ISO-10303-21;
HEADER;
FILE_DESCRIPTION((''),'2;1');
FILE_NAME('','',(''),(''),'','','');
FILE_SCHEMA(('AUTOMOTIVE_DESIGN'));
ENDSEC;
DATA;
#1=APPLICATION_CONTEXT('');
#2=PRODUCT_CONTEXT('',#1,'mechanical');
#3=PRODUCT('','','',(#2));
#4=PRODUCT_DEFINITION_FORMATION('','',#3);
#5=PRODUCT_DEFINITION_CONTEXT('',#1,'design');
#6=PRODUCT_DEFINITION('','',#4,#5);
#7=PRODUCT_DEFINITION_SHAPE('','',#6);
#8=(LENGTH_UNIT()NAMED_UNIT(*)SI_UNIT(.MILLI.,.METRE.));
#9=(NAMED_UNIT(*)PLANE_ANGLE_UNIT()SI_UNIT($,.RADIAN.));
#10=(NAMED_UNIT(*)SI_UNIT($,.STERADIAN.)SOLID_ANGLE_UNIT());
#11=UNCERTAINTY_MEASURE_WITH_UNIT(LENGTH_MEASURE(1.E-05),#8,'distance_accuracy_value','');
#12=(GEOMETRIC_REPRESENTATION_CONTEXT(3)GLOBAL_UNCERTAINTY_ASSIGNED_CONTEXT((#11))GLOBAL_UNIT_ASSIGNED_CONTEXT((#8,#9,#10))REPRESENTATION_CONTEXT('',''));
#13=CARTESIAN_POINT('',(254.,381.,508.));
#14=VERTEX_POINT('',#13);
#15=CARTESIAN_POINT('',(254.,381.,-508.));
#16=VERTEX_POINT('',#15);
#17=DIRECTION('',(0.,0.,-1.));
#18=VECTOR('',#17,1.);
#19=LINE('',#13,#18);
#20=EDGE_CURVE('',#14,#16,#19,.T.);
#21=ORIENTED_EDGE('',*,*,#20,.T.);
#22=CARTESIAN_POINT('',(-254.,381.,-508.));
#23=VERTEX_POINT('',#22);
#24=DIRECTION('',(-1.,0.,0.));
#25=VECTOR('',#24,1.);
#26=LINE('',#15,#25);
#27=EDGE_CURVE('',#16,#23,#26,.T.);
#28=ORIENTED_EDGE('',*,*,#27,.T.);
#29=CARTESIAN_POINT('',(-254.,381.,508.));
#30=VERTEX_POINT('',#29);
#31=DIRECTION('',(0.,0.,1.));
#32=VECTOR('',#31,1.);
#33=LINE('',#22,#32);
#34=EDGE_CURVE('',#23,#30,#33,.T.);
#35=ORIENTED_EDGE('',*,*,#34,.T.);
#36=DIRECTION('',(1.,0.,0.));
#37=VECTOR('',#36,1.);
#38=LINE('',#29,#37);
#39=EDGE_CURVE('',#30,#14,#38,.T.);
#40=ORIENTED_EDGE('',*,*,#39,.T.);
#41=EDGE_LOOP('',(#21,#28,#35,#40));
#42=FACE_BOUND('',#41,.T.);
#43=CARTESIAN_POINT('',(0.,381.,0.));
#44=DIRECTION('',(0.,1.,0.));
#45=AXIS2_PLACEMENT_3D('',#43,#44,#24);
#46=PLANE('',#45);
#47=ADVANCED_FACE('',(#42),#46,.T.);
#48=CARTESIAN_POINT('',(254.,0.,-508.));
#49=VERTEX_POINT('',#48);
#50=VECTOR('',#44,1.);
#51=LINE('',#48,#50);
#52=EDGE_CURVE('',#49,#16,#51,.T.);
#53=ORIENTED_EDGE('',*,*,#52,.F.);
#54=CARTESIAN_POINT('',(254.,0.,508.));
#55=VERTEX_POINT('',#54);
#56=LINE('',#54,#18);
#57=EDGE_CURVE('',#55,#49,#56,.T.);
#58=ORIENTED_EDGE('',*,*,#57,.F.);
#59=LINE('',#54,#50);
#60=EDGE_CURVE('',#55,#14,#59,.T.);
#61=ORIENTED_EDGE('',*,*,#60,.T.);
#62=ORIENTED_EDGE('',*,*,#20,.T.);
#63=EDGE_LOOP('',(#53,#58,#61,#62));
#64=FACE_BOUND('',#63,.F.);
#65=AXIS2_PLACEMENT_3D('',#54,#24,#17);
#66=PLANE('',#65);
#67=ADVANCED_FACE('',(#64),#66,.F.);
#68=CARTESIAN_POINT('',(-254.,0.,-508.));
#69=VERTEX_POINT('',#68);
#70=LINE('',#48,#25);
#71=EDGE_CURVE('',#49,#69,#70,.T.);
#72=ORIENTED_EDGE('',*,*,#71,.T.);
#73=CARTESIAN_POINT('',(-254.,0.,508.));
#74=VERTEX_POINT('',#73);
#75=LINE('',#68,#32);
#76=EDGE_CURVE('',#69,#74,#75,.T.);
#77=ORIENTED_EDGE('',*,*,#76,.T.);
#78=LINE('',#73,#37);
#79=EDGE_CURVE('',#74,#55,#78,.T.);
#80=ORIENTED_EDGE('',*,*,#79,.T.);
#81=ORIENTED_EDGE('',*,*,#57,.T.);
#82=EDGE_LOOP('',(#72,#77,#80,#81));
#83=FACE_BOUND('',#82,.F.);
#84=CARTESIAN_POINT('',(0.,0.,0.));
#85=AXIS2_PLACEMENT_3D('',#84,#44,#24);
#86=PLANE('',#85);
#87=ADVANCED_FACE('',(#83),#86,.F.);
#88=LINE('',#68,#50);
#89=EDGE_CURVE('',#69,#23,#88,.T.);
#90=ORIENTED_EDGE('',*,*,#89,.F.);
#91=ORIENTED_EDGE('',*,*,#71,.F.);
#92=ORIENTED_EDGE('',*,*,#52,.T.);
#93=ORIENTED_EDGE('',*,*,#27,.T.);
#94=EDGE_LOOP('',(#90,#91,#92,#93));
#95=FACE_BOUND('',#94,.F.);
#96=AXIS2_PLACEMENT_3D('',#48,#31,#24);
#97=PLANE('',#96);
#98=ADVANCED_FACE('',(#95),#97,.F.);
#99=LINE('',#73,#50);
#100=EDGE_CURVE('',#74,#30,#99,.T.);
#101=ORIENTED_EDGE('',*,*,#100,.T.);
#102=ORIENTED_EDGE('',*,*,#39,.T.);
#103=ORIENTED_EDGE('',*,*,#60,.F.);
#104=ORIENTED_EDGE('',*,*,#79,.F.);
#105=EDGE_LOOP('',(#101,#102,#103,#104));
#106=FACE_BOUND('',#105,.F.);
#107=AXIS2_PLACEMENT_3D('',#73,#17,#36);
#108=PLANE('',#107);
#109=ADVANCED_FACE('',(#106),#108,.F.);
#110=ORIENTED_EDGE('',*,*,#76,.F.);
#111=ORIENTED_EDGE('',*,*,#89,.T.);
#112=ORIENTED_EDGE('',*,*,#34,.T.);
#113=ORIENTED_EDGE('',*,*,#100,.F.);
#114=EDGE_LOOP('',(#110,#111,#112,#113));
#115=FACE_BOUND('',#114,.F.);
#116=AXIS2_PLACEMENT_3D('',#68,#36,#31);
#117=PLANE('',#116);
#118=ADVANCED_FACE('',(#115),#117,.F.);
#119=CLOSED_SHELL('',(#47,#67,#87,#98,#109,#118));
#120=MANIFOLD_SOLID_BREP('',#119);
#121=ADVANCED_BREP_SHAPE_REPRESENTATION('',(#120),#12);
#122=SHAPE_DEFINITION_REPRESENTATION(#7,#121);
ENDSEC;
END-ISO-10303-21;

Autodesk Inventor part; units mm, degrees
ref_plane "YZ Plane" through (0, 0, 0) normal (1, 0, 0) x (0, 1, 0)
ref_plane "XZ Plane" through (0, 0, 0) normal (0, 1, 0) x (-1, 0, 0)
ref_plane "XY Plane" through (0, 0, 0) normal (0, 0, 1) x (1, 0, 0)
sketch "Sketch2" plane through (0, 0, 0) normal (0, 1, 0) x (-1, 0, 0)
  line L0 (254, 508) -> (-254, 508)
  line L1 (-254, 508) -> (-254, -508)
  line L2 (-254, -508) -> (254, -508)
  line L3 (254, -508) -> (254, 508)
  line L4 (254, 508) -> (-254, -508) construction
  line L5 (-254, 508) -> (254, -508) construction
  point P0 (0, 0)
  dimension "d4" = 508
  dimension "d5" = 1016
extrude "Extrusion1" add sketch "Sketch2" along normal blind 381
equation "\"d4\" = width"
equation "\"d5\" = length"
equation "\"d6\" = height"
equation "\"width\" = -length + 0.5 * perimeter"
equation "\"length\" = 1016"
equation "\"height\" = 381"
equation "\"perimeter\" = 3048"
properties part number "catapultMaxVolume" material "Polycarbonate, Clear"
